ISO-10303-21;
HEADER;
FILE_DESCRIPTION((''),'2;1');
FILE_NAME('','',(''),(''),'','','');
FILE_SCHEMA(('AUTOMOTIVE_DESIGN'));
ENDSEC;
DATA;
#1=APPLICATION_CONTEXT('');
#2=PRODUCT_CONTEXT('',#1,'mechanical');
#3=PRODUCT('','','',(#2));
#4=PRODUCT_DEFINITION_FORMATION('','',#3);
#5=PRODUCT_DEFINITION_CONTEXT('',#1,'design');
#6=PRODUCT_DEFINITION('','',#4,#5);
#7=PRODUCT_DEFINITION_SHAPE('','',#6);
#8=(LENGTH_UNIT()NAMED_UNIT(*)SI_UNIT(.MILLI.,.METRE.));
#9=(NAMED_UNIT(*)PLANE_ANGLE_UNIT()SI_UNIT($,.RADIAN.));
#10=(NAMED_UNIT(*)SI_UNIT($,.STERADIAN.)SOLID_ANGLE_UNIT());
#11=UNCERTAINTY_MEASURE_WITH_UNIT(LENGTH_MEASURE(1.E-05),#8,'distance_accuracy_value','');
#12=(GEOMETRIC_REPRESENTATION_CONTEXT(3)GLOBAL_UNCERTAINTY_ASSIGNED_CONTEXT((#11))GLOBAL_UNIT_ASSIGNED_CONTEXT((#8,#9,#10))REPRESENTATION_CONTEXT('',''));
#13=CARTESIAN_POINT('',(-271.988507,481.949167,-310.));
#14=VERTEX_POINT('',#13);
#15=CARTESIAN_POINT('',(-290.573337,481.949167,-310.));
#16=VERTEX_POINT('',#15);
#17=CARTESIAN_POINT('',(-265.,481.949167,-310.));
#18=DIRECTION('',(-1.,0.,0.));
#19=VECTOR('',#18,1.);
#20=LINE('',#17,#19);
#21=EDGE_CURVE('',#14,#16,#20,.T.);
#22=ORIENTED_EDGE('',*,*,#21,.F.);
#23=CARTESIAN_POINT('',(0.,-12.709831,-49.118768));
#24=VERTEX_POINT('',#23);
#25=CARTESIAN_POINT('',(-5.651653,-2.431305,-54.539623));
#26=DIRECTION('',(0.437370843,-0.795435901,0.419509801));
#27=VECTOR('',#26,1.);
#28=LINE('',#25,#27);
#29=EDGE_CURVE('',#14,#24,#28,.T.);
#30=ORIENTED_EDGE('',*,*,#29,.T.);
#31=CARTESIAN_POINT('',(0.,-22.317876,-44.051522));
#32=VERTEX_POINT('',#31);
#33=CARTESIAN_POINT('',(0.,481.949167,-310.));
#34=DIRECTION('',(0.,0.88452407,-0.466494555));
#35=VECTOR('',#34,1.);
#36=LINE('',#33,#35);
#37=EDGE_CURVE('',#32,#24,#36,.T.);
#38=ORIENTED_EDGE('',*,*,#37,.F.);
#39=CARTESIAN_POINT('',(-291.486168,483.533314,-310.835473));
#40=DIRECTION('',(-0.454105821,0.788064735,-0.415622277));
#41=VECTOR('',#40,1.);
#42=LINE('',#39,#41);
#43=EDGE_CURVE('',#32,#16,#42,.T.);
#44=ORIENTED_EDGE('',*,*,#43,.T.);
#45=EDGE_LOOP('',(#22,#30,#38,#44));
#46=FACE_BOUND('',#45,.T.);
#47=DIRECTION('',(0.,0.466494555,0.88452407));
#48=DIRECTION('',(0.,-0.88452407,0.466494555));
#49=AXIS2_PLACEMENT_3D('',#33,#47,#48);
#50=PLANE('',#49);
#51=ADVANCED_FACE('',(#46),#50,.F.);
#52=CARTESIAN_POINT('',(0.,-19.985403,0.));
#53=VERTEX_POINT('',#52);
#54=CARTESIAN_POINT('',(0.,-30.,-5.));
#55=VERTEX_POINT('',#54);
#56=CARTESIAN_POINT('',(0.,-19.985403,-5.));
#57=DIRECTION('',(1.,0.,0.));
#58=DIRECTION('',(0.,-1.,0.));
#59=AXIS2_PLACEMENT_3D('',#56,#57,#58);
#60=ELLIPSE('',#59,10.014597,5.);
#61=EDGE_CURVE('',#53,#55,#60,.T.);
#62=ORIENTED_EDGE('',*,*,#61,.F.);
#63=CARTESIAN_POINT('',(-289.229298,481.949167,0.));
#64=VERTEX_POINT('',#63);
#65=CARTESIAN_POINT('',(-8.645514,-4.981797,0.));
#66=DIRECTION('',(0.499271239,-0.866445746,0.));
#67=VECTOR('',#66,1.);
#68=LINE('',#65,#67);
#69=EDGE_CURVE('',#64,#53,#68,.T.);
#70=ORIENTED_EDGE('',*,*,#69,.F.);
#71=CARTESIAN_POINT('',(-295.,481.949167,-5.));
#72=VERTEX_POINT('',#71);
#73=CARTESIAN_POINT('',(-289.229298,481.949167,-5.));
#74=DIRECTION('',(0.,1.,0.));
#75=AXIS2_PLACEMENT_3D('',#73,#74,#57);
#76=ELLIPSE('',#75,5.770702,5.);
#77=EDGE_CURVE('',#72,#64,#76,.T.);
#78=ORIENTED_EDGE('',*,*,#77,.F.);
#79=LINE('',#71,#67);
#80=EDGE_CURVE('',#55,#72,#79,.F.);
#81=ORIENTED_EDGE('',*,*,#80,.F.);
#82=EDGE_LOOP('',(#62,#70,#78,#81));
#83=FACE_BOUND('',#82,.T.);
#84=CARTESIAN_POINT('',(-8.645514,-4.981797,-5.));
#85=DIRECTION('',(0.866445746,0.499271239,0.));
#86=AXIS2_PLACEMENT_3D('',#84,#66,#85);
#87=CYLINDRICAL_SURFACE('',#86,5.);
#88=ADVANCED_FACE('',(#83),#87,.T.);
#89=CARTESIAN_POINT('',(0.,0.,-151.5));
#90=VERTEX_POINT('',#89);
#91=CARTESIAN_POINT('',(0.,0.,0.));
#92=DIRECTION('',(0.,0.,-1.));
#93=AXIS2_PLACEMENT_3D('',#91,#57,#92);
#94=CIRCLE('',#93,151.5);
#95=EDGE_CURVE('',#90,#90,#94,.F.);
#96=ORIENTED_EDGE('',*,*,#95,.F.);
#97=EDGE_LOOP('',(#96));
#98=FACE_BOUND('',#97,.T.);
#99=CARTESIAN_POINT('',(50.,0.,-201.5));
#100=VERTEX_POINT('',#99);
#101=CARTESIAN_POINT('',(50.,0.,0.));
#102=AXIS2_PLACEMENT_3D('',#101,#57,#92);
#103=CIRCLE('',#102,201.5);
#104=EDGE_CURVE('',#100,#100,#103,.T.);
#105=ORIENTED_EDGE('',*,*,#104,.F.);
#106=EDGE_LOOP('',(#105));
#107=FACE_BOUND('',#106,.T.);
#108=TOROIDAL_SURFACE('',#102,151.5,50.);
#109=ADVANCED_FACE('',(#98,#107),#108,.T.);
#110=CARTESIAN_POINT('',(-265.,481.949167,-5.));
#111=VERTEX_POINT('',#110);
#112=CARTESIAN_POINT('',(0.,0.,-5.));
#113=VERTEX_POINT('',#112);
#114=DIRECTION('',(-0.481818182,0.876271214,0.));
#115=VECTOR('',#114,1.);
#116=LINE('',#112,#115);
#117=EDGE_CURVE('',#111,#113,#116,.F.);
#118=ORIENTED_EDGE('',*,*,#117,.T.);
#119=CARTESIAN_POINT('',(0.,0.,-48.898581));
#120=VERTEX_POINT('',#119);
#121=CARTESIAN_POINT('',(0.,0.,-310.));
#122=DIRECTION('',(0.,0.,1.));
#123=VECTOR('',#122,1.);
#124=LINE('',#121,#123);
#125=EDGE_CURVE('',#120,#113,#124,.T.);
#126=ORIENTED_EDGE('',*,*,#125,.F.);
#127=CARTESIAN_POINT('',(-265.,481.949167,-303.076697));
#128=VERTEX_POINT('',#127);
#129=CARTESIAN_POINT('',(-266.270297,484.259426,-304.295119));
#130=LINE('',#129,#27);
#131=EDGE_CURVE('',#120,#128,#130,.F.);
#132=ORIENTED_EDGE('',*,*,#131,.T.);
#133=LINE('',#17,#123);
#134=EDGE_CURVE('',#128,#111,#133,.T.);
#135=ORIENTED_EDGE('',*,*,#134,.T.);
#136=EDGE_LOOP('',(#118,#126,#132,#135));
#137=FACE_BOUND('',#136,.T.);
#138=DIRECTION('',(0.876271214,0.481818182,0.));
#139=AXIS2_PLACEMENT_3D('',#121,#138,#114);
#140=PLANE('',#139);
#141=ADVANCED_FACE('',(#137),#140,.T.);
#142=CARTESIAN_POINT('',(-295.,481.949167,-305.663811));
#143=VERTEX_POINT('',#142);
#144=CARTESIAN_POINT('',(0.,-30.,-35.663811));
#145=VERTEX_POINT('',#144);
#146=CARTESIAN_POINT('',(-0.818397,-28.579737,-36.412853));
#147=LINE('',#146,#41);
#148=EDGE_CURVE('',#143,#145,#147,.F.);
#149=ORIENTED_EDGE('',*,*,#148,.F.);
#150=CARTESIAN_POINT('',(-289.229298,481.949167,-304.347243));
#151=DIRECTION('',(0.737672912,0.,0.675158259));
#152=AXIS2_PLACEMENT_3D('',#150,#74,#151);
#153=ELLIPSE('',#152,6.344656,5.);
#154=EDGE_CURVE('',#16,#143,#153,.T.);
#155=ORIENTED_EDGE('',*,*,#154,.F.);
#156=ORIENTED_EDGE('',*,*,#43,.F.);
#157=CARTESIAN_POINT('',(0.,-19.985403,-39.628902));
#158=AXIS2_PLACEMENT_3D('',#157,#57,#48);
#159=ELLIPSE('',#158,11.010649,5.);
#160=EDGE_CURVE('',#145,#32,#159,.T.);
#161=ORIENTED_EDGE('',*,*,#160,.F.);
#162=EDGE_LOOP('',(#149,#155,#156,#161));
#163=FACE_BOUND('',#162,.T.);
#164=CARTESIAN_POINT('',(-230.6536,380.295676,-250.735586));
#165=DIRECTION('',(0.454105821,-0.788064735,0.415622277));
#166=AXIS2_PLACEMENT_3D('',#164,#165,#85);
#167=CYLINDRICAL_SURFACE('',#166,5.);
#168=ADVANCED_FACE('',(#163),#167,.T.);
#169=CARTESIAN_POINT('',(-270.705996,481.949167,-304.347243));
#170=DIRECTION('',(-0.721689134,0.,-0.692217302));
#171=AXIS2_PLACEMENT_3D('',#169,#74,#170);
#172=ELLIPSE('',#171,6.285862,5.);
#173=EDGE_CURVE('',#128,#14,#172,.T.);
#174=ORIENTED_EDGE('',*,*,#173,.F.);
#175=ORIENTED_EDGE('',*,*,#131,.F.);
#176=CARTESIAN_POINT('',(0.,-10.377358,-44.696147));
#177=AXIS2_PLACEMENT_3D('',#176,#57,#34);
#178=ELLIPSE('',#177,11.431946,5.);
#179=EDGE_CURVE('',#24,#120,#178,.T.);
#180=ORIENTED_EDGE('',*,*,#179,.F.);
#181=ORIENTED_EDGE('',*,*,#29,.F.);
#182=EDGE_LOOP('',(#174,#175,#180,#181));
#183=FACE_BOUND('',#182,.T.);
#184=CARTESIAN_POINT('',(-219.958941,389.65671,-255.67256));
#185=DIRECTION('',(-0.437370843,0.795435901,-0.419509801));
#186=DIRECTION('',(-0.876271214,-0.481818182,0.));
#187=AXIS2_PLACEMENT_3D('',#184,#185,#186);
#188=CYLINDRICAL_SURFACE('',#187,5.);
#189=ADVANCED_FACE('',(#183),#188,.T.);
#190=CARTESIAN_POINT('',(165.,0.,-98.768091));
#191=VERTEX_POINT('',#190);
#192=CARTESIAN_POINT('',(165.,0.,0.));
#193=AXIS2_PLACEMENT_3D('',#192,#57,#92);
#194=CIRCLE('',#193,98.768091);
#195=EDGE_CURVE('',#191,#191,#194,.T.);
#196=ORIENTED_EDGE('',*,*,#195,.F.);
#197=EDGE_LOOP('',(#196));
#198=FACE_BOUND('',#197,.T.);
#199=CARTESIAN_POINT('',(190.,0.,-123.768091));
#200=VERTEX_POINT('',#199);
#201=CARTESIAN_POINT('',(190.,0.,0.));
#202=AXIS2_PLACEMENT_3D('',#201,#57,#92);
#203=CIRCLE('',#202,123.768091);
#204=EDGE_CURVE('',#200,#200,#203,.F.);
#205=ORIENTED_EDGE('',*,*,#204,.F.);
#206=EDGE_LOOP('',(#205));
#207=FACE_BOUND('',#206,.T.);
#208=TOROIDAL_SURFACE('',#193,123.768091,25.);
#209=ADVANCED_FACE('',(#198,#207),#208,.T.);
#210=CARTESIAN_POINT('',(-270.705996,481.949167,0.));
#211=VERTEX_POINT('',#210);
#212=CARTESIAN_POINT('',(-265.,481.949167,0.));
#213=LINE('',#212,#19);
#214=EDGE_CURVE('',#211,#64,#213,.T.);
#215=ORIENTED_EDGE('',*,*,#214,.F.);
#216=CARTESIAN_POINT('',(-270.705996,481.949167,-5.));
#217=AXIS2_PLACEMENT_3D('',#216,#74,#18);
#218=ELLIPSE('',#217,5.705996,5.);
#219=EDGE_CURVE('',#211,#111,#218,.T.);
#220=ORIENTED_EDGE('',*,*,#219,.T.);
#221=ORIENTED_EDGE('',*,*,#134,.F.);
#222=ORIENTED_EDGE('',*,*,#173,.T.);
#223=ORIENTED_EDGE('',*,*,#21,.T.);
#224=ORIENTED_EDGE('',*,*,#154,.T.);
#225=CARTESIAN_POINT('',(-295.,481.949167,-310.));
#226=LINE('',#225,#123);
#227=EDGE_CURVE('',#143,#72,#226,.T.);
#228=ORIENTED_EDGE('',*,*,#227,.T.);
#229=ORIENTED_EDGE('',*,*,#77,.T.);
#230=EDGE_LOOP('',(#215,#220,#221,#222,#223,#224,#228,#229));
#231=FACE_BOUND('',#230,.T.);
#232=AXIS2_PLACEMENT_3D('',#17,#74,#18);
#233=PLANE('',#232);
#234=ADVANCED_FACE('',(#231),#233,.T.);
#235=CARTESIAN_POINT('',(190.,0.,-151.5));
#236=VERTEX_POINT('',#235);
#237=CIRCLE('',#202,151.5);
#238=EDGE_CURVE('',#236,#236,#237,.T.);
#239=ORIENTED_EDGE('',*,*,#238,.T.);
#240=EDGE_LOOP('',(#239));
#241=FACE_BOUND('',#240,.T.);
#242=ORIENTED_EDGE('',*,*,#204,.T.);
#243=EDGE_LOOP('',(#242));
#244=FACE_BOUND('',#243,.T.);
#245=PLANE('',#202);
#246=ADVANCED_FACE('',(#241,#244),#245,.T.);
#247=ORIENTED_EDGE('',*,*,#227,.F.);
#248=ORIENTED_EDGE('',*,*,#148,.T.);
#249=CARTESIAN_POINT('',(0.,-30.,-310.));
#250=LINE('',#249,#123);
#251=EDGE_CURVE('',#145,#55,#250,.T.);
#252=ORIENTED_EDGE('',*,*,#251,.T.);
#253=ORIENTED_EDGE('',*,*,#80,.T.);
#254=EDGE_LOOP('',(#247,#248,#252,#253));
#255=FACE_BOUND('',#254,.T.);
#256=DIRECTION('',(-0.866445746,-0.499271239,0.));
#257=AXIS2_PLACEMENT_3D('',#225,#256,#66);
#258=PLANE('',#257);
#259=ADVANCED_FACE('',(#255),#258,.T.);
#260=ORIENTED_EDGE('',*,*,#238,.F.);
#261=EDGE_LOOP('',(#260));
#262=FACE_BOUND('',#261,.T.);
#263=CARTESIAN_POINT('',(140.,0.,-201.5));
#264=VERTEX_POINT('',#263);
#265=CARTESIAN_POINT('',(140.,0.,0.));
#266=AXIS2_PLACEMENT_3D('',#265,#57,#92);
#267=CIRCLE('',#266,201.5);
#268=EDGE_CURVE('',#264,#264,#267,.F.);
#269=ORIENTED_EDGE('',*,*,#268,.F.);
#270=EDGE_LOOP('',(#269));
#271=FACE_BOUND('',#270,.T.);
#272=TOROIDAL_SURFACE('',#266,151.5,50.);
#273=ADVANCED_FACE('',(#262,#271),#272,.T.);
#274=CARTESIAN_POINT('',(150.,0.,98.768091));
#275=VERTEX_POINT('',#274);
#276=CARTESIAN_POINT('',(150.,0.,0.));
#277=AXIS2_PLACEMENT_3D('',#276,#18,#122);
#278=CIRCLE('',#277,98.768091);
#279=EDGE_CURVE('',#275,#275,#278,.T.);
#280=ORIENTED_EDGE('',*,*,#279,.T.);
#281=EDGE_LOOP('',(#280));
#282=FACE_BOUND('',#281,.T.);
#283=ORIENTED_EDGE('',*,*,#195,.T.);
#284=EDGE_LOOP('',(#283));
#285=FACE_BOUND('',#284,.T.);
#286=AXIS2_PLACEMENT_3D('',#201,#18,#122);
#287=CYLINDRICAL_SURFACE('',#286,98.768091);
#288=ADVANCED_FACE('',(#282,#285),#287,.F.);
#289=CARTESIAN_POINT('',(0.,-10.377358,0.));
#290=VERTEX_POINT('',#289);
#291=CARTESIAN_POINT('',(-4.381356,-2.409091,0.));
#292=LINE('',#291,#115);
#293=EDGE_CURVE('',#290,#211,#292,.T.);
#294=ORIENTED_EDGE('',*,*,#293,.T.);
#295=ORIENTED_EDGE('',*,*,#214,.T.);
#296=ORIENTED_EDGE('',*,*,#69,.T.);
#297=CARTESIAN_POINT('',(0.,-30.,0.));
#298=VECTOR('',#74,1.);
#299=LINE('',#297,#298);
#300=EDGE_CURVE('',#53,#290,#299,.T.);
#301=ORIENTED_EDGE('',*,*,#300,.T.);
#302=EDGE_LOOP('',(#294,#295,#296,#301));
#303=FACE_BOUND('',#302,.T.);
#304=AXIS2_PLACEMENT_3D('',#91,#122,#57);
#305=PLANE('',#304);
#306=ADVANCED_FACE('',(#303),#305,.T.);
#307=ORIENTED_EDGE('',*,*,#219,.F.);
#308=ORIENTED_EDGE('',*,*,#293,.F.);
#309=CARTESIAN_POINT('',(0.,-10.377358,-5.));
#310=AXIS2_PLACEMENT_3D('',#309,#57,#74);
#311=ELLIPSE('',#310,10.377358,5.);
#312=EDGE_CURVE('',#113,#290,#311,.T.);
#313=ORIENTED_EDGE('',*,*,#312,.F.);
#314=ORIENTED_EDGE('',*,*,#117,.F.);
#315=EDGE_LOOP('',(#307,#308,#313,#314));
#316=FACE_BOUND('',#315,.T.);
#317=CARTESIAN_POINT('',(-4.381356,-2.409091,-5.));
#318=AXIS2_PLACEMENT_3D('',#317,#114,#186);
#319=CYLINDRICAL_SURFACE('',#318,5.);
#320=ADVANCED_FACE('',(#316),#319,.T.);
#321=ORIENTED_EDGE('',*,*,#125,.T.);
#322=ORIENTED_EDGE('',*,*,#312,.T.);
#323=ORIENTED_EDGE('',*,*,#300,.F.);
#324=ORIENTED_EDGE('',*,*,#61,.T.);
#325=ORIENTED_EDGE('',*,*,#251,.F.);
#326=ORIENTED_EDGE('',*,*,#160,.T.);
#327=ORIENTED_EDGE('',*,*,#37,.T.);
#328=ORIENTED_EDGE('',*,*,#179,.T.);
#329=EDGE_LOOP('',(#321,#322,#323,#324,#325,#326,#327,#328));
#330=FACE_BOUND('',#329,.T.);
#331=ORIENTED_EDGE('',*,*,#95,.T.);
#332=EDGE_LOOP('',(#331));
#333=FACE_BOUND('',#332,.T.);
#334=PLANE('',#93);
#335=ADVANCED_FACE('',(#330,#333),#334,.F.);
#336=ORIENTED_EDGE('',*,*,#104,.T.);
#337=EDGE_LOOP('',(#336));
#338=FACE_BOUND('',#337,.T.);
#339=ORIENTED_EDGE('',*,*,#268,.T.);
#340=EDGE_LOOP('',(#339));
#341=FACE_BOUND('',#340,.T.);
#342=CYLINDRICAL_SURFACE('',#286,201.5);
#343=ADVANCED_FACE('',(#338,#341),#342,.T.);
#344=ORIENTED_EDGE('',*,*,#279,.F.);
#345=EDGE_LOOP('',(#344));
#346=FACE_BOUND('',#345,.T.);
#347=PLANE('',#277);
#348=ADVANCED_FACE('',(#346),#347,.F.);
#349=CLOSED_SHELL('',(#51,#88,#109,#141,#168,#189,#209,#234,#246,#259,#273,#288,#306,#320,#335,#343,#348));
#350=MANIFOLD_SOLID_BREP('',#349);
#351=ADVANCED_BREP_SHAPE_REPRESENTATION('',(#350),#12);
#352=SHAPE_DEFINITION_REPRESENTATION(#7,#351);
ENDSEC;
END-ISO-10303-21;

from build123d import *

# Parameters (mm, degrees)
SKETCH1_R           = 201.5
SKETCH1_R_2         = 98.768091278
BOSS_EXTRUDE1_DEPTH = 190
SKETCH2_R           = 98.768091278
BOSS_EXTRUDE2_DEPTH = 150
FILLET1_R           = 50
FILLET2_R           = 25
BOSS_EXTRUDE3_DEPTH = 310
CUT_EXTRUDE5_DEPTH  = 300
FILLET3_R           = 5


with BuildPart() as part:
    # Sketch1 → Boss-Extrude1 (new body)
    with BuildSketch(Plane(origin=(0, 0, 0), x_dir=(0, 0, -1), z_dir=(1, 0, 0))):
        Circle(SKETCH1_R)
        Circle(SKETCH1_R_2, mode=Mode.SUBTRACT)
    extrude(amount=BOSS_EXTRUDE1_DEPTH)

    # Sketch2 → Boss-Extrude2 (add)
    with BuildSketch(Plane.ZY):
        Circle(SKETCH2_R)
    extrude(amount=-BOSS_EXTRUDE2_DEPTH)

    # Fillet1
    fillet1_edges = [part.edges().sort_by_distance(p)[0] for p in [
        (0, 0, 201.5),
        (190, 0, 201.5),
    ]]
    fillet(fillet1_edges, radius=FILLET1_R)

    # Fillet2
    fillet2_edges = [part.edges().sort_by_distance(p)[0] for p in [
        (190, 0, 98.768091278),
    ]]
    fillet(fillet2_edges, radius=FILLET2_R)

    # Sketch4 → Boss-Extrude3 (add)
    with BuildSketch(Plane.XY):
        Polygon((0, 0), (-265, 481.949167444), (-295, 481.949167444), (0, -30), align=None)
    extrude(amount=-BOSS_EXTRUDE3_DEPTH)

    # Sketch5 → Cut-Extrude5 (cut)
    with BuildSketch(Plane.ZY.offset(300)):
        Polygon((-310, 481.949167444), (-40, -30), (-310, -30), align=None)
    extrude(amount=-CUT_EXTRUDE5_DEPTH, mode=Mode.SUBTRACT)

    # Fillet3
    fillet3_edges = [part.edges().sort_by_distance(p)[0] for p in [
        (-132.5, 240.974583722, 0),
        (-147.5, 225.974583722, 0),
        (-147.5, 225.974583722, -175),
        (-132.5, 240.974583722, -182.910941667),
    ]]
    fillet(fillet3_edges, radius=FILLET3_R)


solid = part.part
